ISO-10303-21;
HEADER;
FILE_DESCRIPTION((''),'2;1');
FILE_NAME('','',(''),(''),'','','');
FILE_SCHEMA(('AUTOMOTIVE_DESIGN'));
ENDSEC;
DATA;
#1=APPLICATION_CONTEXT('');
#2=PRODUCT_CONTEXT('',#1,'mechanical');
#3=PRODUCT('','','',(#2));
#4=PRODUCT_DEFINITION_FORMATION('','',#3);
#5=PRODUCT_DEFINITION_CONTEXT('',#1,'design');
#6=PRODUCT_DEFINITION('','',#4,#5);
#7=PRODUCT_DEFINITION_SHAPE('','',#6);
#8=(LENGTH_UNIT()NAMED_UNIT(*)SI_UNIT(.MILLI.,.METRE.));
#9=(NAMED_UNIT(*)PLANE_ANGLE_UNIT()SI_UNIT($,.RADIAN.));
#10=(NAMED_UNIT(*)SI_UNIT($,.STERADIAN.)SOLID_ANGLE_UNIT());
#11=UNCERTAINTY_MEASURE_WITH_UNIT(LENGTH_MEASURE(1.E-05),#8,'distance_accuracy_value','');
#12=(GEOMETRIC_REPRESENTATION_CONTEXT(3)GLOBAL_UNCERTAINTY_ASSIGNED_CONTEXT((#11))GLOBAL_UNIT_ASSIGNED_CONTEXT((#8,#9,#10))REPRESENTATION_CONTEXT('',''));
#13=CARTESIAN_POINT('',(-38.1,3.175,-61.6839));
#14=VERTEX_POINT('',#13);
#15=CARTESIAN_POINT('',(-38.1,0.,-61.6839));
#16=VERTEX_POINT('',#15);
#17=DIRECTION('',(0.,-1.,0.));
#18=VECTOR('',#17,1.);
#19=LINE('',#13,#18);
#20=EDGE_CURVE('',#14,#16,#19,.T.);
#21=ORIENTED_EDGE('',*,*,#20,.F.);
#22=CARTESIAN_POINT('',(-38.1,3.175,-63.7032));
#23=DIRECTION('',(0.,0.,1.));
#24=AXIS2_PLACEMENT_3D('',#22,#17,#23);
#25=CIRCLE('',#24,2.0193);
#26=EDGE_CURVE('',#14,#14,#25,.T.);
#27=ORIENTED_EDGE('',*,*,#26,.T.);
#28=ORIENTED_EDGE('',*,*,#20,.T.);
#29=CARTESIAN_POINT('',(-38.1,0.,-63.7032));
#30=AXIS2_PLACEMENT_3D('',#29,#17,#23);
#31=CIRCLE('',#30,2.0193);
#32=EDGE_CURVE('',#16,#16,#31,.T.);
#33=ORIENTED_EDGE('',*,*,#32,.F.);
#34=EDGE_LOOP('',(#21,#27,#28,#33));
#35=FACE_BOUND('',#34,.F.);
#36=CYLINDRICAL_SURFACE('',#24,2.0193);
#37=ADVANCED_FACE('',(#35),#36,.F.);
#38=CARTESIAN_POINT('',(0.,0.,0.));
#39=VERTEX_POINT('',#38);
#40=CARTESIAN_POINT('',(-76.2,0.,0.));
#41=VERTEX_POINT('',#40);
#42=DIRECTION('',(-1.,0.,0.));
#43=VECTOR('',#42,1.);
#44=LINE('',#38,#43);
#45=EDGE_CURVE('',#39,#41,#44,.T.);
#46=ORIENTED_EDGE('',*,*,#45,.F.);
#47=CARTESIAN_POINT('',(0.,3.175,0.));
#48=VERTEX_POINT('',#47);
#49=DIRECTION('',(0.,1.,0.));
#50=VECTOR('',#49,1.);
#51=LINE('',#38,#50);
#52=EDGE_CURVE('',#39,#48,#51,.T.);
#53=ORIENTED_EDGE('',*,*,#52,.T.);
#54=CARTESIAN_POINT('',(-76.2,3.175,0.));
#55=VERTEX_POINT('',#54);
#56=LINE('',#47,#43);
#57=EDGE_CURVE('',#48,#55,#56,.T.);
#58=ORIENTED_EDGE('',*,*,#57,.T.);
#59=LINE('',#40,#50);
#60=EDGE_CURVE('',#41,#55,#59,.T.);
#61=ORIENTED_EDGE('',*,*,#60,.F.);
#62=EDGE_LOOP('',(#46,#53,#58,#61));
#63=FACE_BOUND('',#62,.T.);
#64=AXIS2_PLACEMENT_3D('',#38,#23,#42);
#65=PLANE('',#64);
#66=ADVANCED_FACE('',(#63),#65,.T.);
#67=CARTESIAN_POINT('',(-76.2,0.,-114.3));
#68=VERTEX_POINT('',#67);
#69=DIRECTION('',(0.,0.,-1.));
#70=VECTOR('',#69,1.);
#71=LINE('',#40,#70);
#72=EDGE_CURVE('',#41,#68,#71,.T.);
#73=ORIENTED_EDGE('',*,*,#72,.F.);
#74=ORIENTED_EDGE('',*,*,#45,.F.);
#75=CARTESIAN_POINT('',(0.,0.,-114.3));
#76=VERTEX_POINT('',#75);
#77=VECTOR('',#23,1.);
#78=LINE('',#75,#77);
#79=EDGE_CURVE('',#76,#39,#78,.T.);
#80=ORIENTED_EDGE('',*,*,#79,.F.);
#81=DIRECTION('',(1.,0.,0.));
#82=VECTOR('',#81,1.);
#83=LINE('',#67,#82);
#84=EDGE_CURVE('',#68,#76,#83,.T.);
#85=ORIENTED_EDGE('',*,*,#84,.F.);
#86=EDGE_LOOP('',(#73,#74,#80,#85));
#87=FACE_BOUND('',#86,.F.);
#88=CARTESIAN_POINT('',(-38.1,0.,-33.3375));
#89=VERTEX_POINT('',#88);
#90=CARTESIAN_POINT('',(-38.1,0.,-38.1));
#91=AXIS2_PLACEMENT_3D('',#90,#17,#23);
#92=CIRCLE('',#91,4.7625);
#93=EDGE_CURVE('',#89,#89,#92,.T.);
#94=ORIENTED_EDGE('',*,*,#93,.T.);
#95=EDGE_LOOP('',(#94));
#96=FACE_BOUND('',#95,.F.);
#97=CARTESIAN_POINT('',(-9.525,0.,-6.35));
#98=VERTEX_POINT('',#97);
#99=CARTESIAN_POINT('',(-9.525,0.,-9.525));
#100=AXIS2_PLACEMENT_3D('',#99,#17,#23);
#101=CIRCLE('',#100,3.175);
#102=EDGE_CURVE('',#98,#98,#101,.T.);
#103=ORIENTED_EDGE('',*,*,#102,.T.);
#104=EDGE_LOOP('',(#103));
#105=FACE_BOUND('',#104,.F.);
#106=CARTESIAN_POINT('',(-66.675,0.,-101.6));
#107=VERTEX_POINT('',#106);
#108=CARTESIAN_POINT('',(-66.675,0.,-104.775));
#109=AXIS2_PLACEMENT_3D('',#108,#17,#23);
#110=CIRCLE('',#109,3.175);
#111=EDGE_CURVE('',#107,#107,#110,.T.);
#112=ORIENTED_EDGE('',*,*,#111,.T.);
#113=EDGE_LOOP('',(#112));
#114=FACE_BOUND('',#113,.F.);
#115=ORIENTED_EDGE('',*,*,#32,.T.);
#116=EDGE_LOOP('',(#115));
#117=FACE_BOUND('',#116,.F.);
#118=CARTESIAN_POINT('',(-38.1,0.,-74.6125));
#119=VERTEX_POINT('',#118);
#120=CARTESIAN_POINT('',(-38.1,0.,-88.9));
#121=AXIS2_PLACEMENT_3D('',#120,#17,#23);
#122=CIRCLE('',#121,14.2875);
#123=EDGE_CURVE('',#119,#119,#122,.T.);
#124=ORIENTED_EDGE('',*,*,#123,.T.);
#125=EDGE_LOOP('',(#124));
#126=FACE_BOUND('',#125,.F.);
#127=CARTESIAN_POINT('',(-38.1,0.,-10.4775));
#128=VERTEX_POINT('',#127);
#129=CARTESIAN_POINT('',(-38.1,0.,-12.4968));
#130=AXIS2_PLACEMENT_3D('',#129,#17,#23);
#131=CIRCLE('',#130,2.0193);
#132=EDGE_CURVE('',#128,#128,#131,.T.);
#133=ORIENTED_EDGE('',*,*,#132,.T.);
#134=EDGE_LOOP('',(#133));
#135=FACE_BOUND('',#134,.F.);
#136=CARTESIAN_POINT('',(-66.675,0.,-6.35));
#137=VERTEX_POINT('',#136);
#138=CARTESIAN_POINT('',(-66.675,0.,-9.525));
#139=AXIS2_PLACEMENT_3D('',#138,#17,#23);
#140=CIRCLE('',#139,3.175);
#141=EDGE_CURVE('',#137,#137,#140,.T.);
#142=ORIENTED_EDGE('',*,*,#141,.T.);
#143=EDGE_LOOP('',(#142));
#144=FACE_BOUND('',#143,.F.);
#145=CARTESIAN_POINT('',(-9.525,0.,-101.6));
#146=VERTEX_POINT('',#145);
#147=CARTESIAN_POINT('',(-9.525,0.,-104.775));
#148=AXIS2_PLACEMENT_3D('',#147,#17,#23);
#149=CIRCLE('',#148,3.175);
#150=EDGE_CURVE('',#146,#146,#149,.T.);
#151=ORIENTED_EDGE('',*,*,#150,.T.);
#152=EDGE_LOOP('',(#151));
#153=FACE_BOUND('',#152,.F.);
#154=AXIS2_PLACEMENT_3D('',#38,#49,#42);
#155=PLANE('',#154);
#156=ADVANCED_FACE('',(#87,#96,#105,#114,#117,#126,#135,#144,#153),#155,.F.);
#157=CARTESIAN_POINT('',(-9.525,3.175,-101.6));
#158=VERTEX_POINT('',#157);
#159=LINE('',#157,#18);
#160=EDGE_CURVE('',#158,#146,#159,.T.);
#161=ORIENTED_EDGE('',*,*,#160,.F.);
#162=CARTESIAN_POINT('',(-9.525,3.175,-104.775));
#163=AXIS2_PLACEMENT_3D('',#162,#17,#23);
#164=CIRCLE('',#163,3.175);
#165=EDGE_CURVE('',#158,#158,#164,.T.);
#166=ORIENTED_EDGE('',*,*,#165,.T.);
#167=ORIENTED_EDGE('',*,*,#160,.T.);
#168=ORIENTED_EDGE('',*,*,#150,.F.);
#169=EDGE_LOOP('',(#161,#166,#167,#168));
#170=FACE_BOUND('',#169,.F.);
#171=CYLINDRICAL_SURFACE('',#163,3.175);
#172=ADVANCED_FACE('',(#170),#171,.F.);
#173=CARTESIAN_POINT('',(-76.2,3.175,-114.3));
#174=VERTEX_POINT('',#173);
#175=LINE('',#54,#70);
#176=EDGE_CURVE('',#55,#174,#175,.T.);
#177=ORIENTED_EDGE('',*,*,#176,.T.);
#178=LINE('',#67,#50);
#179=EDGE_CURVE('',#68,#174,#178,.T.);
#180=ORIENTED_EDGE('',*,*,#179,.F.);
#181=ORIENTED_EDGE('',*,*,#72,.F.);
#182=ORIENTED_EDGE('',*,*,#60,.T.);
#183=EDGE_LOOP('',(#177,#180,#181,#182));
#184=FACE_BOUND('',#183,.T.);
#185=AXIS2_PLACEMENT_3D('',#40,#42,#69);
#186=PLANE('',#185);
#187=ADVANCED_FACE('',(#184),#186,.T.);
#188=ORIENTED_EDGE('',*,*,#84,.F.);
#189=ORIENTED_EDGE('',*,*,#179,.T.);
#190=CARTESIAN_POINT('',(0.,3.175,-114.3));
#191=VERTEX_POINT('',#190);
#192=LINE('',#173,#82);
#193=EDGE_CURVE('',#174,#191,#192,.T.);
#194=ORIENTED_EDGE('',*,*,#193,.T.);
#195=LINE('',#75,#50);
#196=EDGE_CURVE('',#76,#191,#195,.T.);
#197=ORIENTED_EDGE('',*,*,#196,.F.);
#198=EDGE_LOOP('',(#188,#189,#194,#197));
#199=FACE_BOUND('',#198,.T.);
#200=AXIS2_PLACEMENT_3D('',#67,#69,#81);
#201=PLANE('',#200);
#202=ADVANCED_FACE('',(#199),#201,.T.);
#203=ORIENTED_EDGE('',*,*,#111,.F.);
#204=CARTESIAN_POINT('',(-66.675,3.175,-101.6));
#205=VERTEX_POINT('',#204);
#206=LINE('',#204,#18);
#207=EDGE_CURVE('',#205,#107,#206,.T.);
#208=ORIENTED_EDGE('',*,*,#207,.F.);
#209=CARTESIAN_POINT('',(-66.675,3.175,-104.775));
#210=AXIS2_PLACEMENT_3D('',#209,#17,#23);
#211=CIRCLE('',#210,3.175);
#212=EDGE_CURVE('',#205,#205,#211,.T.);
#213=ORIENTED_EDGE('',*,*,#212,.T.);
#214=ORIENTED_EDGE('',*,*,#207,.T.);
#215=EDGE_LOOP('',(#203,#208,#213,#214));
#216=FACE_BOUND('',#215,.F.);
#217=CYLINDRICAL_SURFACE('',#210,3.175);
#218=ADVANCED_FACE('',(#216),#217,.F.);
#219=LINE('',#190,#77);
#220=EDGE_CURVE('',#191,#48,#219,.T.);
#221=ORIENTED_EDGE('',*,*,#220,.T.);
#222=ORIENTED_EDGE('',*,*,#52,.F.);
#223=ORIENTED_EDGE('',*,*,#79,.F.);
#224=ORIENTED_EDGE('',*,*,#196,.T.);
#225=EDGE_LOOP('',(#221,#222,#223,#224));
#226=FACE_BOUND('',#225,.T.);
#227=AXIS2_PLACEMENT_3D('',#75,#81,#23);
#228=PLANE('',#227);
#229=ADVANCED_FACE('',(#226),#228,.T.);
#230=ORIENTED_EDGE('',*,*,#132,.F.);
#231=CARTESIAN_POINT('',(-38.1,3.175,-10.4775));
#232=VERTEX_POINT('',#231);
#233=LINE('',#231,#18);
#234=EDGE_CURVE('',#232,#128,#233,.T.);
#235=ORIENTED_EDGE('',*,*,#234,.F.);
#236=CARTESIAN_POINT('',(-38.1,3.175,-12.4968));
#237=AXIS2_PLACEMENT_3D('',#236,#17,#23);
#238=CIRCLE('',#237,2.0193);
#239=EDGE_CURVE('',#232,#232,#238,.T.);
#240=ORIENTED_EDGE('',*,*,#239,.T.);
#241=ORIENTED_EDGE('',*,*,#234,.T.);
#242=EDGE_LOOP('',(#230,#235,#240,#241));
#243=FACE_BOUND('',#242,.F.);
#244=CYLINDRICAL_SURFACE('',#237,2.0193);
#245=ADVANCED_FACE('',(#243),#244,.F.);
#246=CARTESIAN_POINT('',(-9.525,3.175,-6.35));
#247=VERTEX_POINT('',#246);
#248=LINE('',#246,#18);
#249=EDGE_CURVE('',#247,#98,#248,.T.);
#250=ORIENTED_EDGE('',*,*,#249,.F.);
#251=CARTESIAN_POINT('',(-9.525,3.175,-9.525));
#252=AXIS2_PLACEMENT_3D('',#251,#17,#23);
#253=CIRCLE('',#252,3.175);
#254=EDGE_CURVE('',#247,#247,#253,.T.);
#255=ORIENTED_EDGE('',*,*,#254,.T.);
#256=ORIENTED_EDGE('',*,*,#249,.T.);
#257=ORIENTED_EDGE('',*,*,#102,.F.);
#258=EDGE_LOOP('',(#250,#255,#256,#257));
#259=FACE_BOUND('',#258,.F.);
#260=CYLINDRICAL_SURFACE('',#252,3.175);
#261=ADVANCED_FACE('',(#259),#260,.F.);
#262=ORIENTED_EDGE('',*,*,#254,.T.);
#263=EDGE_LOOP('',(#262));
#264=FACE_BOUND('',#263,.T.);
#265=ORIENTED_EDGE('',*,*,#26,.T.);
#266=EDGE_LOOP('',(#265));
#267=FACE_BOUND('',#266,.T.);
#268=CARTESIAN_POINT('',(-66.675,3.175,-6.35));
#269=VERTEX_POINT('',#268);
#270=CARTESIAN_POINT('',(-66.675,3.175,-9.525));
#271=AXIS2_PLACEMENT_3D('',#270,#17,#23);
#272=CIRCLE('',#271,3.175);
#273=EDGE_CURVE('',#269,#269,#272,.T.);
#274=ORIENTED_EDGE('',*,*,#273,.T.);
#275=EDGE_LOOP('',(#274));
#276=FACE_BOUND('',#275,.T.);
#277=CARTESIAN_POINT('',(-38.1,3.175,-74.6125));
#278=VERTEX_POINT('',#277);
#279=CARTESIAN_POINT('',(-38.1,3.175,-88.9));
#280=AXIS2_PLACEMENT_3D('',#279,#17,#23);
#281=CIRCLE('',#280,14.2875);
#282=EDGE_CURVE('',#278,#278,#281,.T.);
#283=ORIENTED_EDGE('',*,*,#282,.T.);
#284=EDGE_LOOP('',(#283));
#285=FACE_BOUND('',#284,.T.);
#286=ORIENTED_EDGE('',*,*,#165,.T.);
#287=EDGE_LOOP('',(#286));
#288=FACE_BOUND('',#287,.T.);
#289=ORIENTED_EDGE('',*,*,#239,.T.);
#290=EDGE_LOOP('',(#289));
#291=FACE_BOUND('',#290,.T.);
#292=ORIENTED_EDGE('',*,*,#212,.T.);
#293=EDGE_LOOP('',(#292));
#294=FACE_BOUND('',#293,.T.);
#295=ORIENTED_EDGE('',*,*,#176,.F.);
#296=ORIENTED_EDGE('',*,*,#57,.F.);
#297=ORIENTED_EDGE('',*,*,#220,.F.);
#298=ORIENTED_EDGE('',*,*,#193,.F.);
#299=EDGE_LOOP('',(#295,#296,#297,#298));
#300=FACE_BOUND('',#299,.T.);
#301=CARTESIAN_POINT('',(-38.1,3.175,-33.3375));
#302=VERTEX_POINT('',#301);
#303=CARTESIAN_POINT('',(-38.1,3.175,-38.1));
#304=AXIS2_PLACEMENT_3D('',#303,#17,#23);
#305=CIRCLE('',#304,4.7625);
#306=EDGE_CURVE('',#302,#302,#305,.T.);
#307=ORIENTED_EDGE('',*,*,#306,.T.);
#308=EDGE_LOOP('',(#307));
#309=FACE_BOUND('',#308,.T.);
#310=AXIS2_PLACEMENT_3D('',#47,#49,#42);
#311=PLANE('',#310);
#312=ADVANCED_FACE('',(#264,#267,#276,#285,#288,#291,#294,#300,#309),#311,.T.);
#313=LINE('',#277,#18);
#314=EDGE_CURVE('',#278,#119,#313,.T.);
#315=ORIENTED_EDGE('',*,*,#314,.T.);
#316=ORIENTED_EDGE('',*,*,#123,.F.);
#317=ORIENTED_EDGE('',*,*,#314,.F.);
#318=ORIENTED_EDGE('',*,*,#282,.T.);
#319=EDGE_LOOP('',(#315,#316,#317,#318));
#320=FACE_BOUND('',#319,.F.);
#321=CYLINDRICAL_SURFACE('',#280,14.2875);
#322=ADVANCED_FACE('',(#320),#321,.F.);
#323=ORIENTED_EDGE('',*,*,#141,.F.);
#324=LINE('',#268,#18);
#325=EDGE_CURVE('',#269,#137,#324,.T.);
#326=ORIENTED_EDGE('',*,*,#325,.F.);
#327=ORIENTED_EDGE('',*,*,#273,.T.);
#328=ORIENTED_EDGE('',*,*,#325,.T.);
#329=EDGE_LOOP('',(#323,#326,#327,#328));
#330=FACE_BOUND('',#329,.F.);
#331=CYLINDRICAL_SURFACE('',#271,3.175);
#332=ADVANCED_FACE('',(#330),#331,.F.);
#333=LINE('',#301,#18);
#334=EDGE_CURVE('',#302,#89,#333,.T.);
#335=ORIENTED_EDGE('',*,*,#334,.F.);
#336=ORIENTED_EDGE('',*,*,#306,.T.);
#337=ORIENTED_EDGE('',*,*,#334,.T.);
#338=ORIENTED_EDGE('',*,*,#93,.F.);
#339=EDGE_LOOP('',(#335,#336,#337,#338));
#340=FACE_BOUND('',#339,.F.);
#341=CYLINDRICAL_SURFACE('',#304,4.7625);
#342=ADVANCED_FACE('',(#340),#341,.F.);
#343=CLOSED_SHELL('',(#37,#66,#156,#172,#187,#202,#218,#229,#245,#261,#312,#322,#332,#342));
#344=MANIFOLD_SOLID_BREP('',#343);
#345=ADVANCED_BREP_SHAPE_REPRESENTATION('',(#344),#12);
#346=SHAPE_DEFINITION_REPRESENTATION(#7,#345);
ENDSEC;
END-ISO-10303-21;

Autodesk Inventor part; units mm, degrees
ref_plane "YZ Plane" through (0, 0, 0) normal (1, 0, 0) x (0, 1, 0)
ref_plane "XZ Plane" through (0, 0, 0) normal (0, 1, 0) x (-1, 0, 0)
ref_plane "XY Plane" through (0, 0, 0) normal (0, 0, 1) x (1, 0, 0)
sketch "Sketch1" plane through (0, 0, 0) normal (0, 1, 0) x (-1, 0, 0)
  line L0 (0, 0) -> (76.2, 0)
  line L1 (76.2, 0) -> (76.2, -114.3)
  line L2 (76.2, -114.3) -> (0, -114.3)
  line L3 (0, -114.3) -> (0, 0)
  dimension "d0" = 76.2
  dimension "d1" = 114.3
extrude "Extrusion1" add sketch "Sketch1" along normal blind 3.175
hole "Hole1" at (-9.525, 3.175, -9.525) direction (0, -1, 0) diameter 6.35 depth 25.4 tip angle 118
hole "Hole2" at (-9.525, 3.175, -104.775) direction (0, -1, 0) diameter 6.35 depth 25.4 tip angle 118
hole "Hole3" at (-66.675, 3.175, -104.775) direction (0, -1, 0) diameter 6.35 depth 25.4 tip angle 118
hole "Hole4" at (-66.675, 3.175, -9.525) direction (0, -1, 0) diameter 6.35 depth 25.4 tip angle 118
hole "Hole5" at (-38.1, 3.175, -88.9) direction (0, -1, 0) diameter 28.575 depth 25.4 tip angle 118
hole "Hole6" at (-38.1, 3.175, -38.1) direction (0, -1, 0) diameter 9.525 depth 25.4 tip angle 118
hole "Hole7" at (-38.1, 3.175, -12.4968) direction (0, -1, 0) diameter 4.0386 depth 25.4 tip angle 118
hole "Hole8" at (-38.1, 3.175, -63.7032) direction (0, -1, 0) diameter 4.0386 depth 25.4 tip angle 118
properties part number "Gearbox plate"
